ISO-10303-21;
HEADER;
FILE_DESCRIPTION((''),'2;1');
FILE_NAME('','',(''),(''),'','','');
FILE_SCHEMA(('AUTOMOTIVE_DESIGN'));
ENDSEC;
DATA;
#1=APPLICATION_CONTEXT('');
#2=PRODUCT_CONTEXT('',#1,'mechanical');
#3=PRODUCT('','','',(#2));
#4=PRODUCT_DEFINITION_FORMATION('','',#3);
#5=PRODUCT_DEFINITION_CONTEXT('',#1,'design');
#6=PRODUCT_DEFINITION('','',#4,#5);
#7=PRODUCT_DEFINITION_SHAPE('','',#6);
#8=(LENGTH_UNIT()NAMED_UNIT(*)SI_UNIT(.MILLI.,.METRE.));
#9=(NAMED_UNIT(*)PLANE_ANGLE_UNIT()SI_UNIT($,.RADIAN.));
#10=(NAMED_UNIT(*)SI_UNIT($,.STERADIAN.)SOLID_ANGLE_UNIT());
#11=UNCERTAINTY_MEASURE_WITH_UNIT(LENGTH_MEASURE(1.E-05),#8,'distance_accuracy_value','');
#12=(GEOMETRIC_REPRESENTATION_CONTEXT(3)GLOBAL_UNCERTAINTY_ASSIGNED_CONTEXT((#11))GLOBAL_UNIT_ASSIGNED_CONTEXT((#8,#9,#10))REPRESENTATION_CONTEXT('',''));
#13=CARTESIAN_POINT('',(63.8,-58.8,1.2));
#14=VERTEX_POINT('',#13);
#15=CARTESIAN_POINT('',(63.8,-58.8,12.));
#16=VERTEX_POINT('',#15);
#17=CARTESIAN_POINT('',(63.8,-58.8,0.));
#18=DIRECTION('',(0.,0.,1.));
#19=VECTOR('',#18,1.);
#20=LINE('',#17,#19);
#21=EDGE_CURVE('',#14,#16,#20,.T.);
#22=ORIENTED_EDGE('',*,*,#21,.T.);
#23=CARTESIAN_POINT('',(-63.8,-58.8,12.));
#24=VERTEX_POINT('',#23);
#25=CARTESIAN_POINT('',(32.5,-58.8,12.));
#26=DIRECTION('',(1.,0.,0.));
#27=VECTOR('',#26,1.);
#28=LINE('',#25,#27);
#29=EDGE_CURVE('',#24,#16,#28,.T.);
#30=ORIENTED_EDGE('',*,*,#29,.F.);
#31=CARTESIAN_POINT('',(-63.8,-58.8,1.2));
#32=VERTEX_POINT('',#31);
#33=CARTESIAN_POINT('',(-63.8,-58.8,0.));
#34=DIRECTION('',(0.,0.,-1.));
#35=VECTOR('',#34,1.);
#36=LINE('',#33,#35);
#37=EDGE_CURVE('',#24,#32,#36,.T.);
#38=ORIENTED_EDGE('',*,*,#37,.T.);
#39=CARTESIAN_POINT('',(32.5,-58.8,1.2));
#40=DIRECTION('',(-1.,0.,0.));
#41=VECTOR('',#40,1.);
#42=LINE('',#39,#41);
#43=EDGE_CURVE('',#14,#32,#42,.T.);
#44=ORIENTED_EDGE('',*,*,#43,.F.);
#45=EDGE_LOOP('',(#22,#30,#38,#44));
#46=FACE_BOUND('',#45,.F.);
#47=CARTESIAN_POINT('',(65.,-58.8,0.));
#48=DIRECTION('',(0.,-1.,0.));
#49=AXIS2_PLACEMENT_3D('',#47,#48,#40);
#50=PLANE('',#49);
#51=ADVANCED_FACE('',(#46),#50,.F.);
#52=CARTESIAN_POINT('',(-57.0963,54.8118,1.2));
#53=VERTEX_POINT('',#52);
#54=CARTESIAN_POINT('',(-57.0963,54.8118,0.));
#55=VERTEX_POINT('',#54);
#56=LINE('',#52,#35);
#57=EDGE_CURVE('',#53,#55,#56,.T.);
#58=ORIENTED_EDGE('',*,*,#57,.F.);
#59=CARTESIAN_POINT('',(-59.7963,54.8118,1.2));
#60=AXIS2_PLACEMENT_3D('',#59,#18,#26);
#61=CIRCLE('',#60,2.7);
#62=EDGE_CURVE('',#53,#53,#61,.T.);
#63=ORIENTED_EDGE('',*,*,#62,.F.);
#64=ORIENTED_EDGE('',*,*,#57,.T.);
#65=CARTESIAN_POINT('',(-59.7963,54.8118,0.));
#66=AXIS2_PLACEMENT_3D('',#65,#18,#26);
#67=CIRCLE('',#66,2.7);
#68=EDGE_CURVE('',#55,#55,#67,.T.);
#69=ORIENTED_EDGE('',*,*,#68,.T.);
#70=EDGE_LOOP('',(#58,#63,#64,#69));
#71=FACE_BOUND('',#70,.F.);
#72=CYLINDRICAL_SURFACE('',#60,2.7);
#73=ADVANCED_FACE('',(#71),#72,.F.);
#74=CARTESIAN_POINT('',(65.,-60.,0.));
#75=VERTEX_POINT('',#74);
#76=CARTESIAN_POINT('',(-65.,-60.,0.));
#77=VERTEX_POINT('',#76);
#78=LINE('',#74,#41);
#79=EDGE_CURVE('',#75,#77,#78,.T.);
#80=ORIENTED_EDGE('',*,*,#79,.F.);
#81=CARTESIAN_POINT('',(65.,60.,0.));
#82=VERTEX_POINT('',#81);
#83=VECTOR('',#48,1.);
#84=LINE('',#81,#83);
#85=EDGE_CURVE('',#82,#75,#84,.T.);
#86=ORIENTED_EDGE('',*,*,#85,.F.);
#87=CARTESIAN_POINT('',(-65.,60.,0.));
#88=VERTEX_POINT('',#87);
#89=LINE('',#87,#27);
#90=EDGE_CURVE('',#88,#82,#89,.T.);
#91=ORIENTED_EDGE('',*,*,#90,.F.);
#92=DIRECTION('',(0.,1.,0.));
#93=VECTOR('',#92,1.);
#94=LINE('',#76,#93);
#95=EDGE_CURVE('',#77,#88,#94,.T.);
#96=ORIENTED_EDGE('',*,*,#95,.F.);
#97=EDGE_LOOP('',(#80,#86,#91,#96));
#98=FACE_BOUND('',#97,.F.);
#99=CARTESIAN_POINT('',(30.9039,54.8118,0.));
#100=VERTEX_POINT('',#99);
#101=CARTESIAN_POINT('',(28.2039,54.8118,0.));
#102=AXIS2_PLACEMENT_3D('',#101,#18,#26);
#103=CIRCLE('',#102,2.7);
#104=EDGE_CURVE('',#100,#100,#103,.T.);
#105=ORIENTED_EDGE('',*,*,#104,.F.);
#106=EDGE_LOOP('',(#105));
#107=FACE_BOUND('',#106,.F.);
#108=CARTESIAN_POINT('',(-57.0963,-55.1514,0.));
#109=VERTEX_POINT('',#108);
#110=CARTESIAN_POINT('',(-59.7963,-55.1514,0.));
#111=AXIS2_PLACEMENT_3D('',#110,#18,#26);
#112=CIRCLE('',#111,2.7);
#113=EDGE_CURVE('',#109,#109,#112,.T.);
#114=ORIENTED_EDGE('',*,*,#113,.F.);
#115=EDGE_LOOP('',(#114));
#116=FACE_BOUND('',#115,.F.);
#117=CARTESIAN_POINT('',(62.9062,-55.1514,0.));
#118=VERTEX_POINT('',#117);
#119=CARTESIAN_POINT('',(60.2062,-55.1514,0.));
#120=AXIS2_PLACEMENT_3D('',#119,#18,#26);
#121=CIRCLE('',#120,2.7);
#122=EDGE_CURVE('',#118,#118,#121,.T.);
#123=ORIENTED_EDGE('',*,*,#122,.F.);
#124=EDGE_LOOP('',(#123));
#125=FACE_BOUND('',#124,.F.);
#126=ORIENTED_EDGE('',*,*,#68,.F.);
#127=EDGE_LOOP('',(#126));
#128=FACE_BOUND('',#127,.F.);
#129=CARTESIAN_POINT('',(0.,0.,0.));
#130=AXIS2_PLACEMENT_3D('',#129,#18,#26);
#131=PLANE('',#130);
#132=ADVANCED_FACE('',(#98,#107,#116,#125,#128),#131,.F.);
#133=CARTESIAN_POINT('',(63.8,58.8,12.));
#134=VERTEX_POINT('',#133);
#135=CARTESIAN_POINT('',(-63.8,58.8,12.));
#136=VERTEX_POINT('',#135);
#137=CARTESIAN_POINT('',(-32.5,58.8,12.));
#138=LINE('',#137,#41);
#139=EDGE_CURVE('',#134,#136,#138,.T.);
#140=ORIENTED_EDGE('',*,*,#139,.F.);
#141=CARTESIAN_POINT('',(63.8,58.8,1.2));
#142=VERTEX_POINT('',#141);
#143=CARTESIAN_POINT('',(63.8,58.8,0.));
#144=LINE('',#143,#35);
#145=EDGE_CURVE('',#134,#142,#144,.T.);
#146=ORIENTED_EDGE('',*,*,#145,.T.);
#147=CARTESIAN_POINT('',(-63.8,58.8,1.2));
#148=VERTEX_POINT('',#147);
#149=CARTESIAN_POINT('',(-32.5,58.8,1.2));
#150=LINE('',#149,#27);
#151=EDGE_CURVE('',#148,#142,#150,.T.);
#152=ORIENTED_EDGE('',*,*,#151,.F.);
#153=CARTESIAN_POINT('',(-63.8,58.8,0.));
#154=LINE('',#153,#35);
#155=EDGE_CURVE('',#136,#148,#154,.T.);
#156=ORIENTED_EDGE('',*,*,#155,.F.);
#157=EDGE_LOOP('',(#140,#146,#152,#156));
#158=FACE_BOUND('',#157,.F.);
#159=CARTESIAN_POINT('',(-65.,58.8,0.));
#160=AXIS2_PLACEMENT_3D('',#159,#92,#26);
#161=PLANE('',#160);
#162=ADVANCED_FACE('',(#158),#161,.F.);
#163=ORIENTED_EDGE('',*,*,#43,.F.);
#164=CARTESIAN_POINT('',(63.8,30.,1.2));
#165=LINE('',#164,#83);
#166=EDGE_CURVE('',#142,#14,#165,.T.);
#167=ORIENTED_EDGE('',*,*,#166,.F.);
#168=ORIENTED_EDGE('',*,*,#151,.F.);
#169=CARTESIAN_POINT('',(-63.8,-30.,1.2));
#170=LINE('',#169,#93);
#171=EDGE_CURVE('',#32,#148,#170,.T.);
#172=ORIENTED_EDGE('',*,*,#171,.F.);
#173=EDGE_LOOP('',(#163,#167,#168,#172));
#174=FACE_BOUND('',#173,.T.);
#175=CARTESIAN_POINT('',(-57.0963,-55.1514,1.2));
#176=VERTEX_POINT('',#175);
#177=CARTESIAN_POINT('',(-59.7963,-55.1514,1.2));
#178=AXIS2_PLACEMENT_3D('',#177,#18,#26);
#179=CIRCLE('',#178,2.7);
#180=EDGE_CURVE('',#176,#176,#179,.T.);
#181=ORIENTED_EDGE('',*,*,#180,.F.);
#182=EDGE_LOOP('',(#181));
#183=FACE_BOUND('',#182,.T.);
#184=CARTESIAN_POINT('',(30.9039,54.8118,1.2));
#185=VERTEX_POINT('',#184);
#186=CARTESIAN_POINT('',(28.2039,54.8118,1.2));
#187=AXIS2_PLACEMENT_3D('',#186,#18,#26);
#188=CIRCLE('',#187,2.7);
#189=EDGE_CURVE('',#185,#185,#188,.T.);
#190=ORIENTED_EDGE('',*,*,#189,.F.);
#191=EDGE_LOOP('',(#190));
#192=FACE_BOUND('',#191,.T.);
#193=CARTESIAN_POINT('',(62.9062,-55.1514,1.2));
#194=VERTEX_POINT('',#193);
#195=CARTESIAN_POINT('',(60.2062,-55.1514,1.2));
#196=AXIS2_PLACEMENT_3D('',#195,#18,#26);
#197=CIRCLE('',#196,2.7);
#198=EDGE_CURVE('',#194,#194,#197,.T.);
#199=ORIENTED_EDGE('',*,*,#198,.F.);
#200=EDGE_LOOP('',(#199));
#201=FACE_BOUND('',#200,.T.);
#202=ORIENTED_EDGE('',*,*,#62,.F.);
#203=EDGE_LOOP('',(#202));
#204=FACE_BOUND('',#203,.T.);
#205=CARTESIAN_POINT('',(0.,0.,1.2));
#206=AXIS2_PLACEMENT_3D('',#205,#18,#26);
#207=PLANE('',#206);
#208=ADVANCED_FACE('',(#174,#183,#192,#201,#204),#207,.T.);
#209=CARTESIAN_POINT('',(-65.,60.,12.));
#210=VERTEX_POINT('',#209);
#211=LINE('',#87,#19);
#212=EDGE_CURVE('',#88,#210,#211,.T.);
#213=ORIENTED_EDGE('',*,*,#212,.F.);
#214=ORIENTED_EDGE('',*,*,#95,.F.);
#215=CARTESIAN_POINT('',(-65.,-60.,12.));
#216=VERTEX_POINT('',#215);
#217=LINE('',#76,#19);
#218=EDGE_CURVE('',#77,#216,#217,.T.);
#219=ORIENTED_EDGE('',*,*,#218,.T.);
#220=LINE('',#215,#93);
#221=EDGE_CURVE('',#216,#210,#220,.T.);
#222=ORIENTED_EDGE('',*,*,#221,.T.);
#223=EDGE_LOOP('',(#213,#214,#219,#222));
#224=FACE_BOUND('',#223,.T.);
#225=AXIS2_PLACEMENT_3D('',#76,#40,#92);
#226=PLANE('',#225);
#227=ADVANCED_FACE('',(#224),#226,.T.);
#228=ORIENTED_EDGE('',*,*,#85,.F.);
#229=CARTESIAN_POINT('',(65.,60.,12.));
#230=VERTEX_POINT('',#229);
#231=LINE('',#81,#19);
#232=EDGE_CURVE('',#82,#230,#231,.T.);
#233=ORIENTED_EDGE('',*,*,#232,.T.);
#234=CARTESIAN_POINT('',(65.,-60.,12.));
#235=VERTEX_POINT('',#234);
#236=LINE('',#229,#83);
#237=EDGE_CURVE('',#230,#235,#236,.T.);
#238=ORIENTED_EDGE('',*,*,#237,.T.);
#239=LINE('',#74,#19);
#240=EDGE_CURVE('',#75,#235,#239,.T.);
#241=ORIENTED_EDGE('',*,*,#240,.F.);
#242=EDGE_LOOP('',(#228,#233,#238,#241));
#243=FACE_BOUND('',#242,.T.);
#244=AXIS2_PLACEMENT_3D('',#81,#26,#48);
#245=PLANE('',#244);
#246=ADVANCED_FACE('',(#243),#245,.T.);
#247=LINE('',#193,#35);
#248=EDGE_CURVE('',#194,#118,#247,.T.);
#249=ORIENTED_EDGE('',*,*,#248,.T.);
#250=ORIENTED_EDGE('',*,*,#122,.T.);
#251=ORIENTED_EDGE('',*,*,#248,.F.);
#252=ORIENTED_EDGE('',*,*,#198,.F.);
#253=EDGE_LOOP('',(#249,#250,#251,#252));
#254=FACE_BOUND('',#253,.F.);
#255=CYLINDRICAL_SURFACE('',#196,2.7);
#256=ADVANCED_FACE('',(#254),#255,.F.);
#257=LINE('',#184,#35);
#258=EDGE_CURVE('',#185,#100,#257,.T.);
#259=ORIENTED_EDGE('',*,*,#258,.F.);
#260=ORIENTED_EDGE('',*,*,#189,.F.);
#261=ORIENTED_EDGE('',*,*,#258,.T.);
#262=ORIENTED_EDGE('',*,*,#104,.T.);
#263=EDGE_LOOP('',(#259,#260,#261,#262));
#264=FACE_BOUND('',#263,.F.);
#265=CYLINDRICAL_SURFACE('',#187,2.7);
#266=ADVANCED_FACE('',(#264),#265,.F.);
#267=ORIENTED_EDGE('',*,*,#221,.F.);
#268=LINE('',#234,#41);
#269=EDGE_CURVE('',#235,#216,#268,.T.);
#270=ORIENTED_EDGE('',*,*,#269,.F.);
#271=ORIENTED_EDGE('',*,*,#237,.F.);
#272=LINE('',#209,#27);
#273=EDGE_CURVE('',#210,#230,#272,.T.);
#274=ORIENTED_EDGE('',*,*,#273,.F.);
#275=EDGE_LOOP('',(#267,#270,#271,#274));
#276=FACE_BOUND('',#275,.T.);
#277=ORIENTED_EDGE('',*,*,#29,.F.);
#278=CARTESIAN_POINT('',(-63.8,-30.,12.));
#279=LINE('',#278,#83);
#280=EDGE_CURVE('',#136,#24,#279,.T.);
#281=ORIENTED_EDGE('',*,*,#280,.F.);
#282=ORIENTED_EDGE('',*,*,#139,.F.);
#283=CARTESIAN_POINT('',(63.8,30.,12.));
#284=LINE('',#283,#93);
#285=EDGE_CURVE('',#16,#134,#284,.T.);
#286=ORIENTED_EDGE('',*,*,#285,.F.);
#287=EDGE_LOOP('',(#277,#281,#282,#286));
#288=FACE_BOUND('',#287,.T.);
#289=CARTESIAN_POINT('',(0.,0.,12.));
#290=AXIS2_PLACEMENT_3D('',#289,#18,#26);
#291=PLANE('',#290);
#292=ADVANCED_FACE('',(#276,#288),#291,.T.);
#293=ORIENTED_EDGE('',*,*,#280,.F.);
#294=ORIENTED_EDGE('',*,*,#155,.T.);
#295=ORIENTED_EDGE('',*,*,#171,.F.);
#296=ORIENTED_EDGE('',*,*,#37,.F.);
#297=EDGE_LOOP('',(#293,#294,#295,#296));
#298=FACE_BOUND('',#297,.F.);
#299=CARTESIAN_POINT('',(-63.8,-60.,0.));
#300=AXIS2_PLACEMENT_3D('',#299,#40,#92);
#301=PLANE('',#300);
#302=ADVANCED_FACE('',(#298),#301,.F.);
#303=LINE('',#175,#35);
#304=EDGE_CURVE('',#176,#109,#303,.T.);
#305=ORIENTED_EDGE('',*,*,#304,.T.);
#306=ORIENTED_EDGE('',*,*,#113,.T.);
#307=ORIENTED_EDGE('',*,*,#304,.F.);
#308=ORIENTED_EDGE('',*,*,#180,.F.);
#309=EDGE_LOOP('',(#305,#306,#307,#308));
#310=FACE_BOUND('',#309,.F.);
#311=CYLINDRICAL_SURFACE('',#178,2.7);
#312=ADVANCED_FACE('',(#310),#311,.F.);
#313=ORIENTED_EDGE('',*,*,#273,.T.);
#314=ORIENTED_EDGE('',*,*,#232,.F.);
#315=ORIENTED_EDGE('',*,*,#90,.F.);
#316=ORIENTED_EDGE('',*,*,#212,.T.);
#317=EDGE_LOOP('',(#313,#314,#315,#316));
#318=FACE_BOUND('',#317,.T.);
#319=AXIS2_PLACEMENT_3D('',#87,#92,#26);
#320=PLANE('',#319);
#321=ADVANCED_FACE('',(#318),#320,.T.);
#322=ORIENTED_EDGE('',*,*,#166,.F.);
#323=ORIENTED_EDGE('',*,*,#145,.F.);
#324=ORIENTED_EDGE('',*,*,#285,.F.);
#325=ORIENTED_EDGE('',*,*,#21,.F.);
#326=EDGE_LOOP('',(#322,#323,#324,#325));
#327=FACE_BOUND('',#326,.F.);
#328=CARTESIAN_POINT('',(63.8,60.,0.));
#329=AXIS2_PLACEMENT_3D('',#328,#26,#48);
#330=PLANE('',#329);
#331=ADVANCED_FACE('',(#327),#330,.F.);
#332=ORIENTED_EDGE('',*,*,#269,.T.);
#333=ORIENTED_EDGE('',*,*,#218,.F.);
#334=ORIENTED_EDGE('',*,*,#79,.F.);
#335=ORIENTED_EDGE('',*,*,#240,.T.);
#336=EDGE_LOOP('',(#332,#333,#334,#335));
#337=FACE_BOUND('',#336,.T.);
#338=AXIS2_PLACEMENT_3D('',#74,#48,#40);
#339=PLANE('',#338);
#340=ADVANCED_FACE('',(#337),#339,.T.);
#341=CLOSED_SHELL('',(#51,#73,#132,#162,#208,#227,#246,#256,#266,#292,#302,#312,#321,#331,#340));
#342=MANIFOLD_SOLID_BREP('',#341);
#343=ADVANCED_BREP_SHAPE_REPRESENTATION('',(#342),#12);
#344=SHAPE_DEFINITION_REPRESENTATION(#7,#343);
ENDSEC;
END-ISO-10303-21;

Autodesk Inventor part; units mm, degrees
ref_plane "YZ Plane" through (0, 0, 0) normal (1, 0, 0) x (0, 1, 0)
ref_plane "XZ Plane" through (0, 0, 0) normal (0, 1, 0) x (-1, 0, 0)
ref_plane "XY Plane" through (0, 0, 0) normal (0, 0, 1) x (1, 0, 0)
sketch "스케치1" plane through (0, 0, 0) normal (0, 0, 1) x (1, 0, 0)
  line L0 (65, -60) -> (-65, -60)
  line L1 (-65, -60) -> (-65, 60)
  line L2 (-65, 60) -> (65, 60)
  line L3 (65, 60) -> (65, -60)
  line L4 (65, -60) -> (-65, 60) construction
  line L5 (-65, -60) -> (65, 60) construction
  line L6 (63, 58) -> (-63, 58) construction
  line L7 (-63, 58) -> (-63, -58) construction
  line L8 (-63, -58) -> (63, -58) construction
  line L9 (63, -58) -> (63, 58) construction
  point P0 (0, 0)
  dimension "d0" = 130
  dimension "d1" = 120
  dimension "d2" = 2
extrude "돌출1" add sketch "스케치1" along normal blind 12
shell "쉘1" thickness 1.2 removed faces 1 at (21.6667, 20, 12)
sketch "스케치2" plane through (-63.8, -58.8, 1.2) normal (0, 0, 1) x (1, 0, 0)
  point P0 (63.8, 58.8)
sketch "스케치3" plane through (-63.8, -58.8, 1.2) normal (0, 0, 1) x (1, 0, 0)
  circle A0 centre (92.0039, 113.6118) radius 2.7
  circle A1 centre (4.0037, 3.6486) radius 2.7
  circle A2 centre (4.0037, 113.6118) radius 2.7
  circle A3 centre (124.0062, 3.6486) radius 2.7
  point P0 (63.8, 58.8)
  dimension "d6" = 5.4
  dimension "d7" = 5.4
  dimension "d8" = 5.4
  dimension "d9" = 5.4
extrude "돌출2" cut sketch "스케치3" against normal blind 12
properties part number "240621_pt1"
